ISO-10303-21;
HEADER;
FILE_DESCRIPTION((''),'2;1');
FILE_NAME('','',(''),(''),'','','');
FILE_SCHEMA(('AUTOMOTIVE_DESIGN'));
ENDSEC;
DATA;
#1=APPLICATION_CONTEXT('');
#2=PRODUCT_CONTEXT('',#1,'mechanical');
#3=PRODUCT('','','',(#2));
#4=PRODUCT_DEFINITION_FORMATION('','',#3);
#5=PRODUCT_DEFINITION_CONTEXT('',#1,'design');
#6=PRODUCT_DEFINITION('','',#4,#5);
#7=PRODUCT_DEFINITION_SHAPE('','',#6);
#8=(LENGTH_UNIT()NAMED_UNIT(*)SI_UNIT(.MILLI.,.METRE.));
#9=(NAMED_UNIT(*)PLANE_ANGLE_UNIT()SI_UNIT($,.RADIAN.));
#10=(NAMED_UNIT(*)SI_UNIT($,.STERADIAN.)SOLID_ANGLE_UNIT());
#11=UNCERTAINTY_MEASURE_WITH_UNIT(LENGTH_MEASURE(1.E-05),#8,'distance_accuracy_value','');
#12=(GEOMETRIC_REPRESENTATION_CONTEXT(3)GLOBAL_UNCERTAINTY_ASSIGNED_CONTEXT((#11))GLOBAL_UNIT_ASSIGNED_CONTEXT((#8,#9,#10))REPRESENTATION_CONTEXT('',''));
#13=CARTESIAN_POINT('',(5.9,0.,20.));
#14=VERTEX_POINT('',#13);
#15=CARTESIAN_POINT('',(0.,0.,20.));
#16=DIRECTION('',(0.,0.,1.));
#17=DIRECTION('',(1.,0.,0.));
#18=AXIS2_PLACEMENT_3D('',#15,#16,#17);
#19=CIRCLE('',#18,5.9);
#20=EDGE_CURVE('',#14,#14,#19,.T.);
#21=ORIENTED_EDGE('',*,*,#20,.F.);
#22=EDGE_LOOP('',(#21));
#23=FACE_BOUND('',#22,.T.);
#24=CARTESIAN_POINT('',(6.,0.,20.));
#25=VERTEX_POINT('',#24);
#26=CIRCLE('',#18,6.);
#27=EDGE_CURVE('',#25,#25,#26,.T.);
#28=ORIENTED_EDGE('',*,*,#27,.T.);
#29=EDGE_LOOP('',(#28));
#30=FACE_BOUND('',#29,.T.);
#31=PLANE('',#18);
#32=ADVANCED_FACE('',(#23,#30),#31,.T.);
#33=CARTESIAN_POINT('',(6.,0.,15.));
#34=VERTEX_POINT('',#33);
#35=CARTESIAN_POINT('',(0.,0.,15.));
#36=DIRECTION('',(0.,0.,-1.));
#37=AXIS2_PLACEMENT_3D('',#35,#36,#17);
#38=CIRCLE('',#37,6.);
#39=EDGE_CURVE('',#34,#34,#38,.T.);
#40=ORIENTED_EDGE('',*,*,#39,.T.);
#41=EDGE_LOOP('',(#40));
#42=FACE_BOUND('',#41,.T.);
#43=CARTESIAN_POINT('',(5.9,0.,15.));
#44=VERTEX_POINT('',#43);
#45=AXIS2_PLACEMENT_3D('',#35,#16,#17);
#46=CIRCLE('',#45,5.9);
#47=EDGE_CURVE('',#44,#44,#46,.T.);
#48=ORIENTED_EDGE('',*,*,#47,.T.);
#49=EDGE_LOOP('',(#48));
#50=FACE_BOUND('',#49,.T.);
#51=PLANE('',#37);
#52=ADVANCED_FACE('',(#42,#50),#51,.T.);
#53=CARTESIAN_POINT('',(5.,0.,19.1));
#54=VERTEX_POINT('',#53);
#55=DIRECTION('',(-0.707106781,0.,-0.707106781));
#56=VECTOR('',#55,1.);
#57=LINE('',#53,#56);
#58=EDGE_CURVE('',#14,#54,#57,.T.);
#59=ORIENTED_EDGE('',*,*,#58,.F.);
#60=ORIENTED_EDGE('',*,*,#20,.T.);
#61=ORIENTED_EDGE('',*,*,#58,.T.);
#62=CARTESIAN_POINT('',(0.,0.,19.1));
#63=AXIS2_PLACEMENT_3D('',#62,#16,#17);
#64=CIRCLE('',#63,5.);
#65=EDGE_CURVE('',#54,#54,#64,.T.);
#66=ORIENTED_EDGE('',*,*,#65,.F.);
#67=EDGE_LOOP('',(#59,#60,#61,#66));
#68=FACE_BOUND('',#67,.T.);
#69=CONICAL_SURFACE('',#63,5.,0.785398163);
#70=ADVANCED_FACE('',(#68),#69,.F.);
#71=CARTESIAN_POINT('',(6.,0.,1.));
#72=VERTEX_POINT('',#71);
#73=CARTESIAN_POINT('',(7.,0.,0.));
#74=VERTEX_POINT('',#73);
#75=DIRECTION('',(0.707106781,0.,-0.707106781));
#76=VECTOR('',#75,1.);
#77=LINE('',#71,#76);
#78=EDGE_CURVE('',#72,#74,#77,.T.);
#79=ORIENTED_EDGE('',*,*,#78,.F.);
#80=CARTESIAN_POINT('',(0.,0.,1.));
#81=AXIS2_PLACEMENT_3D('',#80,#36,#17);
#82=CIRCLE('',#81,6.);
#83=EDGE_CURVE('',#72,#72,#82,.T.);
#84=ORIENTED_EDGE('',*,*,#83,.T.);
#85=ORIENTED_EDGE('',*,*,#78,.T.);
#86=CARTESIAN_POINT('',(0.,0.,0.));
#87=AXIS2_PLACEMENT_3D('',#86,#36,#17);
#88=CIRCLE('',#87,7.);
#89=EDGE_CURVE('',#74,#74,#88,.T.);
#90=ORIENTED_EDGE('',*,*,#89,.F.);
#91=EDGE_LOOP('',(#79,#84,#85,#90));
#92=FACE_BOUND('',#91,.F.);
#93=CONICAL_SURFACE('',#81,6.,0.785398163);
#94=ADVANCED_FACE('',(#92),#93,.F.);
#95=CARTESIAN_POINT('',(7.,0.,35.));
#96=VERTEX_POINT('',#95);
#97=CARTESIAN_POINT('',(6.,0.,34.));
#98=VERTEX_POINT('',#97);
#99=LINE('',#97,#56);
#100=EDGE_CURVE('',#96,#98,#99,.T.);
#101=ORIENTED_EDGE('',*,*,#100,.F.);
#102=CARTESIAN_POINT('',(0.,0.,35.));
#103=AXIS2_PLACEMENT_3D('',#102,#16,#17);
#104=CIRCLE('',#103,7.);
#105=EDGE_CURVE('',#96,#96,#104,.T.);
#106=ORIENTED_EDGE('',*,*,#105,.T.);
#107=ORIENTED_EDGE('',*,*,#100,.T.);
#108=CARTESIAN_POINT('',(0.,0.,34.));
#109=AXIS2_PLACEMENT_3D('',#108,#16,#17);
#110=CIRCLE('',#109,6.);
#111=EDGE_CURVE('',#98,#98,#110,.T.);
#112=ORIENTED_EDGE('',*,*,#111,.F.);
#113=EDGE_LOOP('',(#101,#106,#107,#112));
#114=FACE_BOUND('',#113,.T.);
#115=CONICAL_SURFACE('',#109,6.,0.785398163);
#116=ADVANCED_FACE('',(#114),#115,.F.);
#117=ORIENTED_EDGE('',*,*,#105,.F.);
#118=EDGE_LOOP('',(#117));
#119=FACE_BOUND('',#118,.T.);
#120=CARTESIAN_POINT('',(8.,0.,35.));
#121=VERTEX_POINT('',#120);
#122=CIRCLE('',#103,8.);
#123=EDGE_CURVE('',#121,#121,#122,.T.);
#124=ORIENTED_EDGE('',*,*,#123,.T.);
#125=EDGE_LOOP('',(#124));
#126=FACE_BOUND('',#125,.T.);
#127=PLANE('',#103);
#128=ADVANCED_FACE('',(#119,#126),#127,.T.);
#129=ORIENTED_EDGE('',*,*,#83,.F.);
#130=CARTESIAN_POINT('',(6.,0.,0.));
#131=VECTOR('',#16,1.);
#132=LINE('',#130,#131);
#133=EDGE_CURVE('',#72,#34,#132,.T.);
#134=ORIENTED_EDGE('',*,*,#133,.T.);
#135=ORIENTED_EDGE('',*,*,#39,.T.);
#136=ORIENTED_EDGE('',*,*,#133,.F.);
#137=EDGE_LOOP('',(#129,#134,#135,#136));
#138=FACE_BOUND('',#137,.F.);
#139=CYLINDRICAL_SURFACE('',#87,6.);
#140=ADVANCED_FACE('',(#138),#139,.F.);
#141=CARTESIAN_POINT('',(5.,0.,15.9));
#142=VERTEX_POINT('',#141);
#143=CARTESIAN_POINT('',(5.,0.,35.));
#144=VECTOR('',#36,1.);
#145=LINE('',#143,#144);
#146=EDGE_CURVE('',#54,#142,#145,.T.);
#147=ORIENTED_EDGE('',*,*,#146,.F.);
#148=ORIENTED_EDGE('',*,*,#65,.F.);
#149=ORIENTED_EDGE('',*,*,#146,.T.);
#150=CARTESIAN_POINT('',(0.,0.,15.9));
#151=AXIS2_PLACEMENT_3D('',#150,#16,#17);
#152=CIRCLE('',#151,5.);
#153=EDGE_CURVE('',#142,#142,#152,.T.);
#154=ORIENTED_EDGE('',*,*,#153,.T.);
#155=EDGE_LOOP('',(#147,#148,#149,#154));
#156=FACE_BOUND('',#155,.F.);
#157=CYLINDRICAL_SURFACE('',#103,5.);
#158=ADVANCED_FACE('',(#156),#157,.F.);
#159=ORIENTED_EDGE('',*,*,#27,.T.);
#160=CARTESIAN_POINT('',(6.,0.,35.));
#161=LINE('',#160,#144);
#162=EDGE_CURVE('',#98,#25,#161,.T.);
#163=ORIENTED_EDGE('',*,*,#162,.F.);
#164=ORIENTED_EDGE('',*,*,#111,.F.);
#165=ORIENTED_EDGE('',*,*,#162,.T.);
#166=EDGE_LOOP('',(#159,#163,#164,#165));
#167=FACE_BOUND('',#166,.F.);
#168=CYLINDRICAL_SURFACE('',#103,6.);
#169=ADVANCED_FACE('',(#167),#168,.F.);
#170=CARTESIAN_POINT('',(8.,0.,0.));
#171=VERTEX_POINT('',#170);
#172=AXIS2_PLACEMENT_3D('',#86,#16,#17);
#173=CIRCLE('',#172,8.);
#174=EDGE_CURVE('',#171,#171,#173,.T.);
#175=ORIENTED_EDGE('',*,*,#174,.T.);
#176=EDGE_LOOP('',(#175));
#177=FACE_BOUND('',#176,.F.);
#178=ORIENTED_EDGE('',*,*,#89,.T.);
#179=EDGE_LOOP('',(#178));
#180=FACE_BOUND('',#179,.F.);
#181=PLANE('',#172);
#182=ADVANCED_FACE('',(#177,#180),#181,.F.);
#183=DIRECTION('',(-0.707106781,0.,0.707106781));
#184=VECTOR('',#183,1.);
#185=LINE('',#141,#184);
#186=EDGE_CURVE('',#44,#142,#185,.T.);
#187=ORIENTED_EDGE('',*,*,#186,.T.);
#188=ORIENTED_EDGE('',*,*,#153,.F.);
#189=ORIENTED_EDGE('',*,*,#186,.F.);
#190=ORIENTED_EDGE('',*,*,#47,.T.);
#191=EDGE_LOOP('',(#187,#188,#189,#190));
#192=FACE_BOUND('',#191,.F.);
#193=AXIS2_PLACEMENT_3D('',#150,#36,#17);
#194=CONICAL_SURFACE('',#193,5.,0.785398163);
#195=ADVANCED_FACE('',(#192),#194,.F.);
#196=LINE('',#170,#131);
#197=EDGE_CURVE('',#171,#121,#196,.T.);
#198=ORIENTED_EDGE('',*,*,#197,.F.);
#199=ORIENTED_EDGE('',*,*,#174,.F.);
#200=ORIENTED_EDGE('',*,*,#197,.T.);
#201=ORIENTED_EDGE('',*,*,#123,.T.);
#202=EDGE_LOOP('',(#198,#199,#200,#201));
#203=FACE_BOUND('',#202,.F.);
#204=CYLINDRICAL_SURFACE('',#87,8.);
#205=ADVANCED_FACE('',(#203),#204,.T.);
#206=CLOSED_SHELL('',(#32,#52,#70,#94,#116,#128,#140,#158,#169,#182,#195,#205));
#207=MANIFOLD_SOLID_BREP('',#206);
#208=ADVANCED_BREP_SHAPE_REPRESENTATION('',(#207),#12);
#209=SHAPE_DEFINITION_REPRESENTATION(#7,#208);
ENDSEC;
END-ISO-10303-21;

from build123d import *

# Parameters (mm, degrees)
SKETCH_R        = 8
PAD_DEPTH       = 35
SKETCH001_R     = 5
POCKET_DEPTH    = 35.001
SKETCH002_R     = 6
POCKET001_DEPTH = 15
SKETCH003_R     = 6
POCKET002_DEPTH = 15
CHAMFER_SIZE    = 0.9
CHAMFER001_SIZE = 1


with BuildPart() as part:
    # Sketch → Pad (new body)
    with BuildSketch(Plane.XY):
        Circle(SKETCH_R)
    extrude(amount=PAD_DEPTH)

    # Sketch001 (on Face3 of Pad) → Pocket (cut, through all)
    with BuildSketch(Plane.XY.offset(35)):
        Circle(SKETCH001_R)
    extrude(amount=-POCKET_DEPTH, mode=Mode.SUBTRACT)

    # Sketch002 (on Face3 of Pocket) → Pocket001 (cut)
    with BuildSketch(Plane.XY.offset(35)):
        Circle(SKETCH002_R)
    extrude(amount=-POCKET001_DEPTH, mode=Mode.SUBTRACT)

    # Sketch003 (on Face2 of Pocket001) → Pocket002 (cut)
    with BuildSketch(Plane(origin=(0, 0, 0), x_dir=(1, 0, 0), z_dir=(0, 0, -1))):
        Circle(SKETCH003_R)
    extrude(amount=-POCKET002_DEPTH, mode=Mode.SUBTRACT)

    # Chamfer
    chamfer_edges = [part.edges().sort_by_distance(p)[0] for p in [
        (-5, 0, 15),
        (-5, 0, 20),
    ]]
    chamfer(chamfer_edges, length=CHAMFER_SIZE)

    # Chamfer001
    chamfer001_edges = [part.edges().sort_by_distance(p)[0] for p in [
        (-6, 0, 0),
        (-6, 0, 35),
    ]]
    chamfer(chamfer001_edges, length=CHAMFER001_SIZE)


solid = part.part
